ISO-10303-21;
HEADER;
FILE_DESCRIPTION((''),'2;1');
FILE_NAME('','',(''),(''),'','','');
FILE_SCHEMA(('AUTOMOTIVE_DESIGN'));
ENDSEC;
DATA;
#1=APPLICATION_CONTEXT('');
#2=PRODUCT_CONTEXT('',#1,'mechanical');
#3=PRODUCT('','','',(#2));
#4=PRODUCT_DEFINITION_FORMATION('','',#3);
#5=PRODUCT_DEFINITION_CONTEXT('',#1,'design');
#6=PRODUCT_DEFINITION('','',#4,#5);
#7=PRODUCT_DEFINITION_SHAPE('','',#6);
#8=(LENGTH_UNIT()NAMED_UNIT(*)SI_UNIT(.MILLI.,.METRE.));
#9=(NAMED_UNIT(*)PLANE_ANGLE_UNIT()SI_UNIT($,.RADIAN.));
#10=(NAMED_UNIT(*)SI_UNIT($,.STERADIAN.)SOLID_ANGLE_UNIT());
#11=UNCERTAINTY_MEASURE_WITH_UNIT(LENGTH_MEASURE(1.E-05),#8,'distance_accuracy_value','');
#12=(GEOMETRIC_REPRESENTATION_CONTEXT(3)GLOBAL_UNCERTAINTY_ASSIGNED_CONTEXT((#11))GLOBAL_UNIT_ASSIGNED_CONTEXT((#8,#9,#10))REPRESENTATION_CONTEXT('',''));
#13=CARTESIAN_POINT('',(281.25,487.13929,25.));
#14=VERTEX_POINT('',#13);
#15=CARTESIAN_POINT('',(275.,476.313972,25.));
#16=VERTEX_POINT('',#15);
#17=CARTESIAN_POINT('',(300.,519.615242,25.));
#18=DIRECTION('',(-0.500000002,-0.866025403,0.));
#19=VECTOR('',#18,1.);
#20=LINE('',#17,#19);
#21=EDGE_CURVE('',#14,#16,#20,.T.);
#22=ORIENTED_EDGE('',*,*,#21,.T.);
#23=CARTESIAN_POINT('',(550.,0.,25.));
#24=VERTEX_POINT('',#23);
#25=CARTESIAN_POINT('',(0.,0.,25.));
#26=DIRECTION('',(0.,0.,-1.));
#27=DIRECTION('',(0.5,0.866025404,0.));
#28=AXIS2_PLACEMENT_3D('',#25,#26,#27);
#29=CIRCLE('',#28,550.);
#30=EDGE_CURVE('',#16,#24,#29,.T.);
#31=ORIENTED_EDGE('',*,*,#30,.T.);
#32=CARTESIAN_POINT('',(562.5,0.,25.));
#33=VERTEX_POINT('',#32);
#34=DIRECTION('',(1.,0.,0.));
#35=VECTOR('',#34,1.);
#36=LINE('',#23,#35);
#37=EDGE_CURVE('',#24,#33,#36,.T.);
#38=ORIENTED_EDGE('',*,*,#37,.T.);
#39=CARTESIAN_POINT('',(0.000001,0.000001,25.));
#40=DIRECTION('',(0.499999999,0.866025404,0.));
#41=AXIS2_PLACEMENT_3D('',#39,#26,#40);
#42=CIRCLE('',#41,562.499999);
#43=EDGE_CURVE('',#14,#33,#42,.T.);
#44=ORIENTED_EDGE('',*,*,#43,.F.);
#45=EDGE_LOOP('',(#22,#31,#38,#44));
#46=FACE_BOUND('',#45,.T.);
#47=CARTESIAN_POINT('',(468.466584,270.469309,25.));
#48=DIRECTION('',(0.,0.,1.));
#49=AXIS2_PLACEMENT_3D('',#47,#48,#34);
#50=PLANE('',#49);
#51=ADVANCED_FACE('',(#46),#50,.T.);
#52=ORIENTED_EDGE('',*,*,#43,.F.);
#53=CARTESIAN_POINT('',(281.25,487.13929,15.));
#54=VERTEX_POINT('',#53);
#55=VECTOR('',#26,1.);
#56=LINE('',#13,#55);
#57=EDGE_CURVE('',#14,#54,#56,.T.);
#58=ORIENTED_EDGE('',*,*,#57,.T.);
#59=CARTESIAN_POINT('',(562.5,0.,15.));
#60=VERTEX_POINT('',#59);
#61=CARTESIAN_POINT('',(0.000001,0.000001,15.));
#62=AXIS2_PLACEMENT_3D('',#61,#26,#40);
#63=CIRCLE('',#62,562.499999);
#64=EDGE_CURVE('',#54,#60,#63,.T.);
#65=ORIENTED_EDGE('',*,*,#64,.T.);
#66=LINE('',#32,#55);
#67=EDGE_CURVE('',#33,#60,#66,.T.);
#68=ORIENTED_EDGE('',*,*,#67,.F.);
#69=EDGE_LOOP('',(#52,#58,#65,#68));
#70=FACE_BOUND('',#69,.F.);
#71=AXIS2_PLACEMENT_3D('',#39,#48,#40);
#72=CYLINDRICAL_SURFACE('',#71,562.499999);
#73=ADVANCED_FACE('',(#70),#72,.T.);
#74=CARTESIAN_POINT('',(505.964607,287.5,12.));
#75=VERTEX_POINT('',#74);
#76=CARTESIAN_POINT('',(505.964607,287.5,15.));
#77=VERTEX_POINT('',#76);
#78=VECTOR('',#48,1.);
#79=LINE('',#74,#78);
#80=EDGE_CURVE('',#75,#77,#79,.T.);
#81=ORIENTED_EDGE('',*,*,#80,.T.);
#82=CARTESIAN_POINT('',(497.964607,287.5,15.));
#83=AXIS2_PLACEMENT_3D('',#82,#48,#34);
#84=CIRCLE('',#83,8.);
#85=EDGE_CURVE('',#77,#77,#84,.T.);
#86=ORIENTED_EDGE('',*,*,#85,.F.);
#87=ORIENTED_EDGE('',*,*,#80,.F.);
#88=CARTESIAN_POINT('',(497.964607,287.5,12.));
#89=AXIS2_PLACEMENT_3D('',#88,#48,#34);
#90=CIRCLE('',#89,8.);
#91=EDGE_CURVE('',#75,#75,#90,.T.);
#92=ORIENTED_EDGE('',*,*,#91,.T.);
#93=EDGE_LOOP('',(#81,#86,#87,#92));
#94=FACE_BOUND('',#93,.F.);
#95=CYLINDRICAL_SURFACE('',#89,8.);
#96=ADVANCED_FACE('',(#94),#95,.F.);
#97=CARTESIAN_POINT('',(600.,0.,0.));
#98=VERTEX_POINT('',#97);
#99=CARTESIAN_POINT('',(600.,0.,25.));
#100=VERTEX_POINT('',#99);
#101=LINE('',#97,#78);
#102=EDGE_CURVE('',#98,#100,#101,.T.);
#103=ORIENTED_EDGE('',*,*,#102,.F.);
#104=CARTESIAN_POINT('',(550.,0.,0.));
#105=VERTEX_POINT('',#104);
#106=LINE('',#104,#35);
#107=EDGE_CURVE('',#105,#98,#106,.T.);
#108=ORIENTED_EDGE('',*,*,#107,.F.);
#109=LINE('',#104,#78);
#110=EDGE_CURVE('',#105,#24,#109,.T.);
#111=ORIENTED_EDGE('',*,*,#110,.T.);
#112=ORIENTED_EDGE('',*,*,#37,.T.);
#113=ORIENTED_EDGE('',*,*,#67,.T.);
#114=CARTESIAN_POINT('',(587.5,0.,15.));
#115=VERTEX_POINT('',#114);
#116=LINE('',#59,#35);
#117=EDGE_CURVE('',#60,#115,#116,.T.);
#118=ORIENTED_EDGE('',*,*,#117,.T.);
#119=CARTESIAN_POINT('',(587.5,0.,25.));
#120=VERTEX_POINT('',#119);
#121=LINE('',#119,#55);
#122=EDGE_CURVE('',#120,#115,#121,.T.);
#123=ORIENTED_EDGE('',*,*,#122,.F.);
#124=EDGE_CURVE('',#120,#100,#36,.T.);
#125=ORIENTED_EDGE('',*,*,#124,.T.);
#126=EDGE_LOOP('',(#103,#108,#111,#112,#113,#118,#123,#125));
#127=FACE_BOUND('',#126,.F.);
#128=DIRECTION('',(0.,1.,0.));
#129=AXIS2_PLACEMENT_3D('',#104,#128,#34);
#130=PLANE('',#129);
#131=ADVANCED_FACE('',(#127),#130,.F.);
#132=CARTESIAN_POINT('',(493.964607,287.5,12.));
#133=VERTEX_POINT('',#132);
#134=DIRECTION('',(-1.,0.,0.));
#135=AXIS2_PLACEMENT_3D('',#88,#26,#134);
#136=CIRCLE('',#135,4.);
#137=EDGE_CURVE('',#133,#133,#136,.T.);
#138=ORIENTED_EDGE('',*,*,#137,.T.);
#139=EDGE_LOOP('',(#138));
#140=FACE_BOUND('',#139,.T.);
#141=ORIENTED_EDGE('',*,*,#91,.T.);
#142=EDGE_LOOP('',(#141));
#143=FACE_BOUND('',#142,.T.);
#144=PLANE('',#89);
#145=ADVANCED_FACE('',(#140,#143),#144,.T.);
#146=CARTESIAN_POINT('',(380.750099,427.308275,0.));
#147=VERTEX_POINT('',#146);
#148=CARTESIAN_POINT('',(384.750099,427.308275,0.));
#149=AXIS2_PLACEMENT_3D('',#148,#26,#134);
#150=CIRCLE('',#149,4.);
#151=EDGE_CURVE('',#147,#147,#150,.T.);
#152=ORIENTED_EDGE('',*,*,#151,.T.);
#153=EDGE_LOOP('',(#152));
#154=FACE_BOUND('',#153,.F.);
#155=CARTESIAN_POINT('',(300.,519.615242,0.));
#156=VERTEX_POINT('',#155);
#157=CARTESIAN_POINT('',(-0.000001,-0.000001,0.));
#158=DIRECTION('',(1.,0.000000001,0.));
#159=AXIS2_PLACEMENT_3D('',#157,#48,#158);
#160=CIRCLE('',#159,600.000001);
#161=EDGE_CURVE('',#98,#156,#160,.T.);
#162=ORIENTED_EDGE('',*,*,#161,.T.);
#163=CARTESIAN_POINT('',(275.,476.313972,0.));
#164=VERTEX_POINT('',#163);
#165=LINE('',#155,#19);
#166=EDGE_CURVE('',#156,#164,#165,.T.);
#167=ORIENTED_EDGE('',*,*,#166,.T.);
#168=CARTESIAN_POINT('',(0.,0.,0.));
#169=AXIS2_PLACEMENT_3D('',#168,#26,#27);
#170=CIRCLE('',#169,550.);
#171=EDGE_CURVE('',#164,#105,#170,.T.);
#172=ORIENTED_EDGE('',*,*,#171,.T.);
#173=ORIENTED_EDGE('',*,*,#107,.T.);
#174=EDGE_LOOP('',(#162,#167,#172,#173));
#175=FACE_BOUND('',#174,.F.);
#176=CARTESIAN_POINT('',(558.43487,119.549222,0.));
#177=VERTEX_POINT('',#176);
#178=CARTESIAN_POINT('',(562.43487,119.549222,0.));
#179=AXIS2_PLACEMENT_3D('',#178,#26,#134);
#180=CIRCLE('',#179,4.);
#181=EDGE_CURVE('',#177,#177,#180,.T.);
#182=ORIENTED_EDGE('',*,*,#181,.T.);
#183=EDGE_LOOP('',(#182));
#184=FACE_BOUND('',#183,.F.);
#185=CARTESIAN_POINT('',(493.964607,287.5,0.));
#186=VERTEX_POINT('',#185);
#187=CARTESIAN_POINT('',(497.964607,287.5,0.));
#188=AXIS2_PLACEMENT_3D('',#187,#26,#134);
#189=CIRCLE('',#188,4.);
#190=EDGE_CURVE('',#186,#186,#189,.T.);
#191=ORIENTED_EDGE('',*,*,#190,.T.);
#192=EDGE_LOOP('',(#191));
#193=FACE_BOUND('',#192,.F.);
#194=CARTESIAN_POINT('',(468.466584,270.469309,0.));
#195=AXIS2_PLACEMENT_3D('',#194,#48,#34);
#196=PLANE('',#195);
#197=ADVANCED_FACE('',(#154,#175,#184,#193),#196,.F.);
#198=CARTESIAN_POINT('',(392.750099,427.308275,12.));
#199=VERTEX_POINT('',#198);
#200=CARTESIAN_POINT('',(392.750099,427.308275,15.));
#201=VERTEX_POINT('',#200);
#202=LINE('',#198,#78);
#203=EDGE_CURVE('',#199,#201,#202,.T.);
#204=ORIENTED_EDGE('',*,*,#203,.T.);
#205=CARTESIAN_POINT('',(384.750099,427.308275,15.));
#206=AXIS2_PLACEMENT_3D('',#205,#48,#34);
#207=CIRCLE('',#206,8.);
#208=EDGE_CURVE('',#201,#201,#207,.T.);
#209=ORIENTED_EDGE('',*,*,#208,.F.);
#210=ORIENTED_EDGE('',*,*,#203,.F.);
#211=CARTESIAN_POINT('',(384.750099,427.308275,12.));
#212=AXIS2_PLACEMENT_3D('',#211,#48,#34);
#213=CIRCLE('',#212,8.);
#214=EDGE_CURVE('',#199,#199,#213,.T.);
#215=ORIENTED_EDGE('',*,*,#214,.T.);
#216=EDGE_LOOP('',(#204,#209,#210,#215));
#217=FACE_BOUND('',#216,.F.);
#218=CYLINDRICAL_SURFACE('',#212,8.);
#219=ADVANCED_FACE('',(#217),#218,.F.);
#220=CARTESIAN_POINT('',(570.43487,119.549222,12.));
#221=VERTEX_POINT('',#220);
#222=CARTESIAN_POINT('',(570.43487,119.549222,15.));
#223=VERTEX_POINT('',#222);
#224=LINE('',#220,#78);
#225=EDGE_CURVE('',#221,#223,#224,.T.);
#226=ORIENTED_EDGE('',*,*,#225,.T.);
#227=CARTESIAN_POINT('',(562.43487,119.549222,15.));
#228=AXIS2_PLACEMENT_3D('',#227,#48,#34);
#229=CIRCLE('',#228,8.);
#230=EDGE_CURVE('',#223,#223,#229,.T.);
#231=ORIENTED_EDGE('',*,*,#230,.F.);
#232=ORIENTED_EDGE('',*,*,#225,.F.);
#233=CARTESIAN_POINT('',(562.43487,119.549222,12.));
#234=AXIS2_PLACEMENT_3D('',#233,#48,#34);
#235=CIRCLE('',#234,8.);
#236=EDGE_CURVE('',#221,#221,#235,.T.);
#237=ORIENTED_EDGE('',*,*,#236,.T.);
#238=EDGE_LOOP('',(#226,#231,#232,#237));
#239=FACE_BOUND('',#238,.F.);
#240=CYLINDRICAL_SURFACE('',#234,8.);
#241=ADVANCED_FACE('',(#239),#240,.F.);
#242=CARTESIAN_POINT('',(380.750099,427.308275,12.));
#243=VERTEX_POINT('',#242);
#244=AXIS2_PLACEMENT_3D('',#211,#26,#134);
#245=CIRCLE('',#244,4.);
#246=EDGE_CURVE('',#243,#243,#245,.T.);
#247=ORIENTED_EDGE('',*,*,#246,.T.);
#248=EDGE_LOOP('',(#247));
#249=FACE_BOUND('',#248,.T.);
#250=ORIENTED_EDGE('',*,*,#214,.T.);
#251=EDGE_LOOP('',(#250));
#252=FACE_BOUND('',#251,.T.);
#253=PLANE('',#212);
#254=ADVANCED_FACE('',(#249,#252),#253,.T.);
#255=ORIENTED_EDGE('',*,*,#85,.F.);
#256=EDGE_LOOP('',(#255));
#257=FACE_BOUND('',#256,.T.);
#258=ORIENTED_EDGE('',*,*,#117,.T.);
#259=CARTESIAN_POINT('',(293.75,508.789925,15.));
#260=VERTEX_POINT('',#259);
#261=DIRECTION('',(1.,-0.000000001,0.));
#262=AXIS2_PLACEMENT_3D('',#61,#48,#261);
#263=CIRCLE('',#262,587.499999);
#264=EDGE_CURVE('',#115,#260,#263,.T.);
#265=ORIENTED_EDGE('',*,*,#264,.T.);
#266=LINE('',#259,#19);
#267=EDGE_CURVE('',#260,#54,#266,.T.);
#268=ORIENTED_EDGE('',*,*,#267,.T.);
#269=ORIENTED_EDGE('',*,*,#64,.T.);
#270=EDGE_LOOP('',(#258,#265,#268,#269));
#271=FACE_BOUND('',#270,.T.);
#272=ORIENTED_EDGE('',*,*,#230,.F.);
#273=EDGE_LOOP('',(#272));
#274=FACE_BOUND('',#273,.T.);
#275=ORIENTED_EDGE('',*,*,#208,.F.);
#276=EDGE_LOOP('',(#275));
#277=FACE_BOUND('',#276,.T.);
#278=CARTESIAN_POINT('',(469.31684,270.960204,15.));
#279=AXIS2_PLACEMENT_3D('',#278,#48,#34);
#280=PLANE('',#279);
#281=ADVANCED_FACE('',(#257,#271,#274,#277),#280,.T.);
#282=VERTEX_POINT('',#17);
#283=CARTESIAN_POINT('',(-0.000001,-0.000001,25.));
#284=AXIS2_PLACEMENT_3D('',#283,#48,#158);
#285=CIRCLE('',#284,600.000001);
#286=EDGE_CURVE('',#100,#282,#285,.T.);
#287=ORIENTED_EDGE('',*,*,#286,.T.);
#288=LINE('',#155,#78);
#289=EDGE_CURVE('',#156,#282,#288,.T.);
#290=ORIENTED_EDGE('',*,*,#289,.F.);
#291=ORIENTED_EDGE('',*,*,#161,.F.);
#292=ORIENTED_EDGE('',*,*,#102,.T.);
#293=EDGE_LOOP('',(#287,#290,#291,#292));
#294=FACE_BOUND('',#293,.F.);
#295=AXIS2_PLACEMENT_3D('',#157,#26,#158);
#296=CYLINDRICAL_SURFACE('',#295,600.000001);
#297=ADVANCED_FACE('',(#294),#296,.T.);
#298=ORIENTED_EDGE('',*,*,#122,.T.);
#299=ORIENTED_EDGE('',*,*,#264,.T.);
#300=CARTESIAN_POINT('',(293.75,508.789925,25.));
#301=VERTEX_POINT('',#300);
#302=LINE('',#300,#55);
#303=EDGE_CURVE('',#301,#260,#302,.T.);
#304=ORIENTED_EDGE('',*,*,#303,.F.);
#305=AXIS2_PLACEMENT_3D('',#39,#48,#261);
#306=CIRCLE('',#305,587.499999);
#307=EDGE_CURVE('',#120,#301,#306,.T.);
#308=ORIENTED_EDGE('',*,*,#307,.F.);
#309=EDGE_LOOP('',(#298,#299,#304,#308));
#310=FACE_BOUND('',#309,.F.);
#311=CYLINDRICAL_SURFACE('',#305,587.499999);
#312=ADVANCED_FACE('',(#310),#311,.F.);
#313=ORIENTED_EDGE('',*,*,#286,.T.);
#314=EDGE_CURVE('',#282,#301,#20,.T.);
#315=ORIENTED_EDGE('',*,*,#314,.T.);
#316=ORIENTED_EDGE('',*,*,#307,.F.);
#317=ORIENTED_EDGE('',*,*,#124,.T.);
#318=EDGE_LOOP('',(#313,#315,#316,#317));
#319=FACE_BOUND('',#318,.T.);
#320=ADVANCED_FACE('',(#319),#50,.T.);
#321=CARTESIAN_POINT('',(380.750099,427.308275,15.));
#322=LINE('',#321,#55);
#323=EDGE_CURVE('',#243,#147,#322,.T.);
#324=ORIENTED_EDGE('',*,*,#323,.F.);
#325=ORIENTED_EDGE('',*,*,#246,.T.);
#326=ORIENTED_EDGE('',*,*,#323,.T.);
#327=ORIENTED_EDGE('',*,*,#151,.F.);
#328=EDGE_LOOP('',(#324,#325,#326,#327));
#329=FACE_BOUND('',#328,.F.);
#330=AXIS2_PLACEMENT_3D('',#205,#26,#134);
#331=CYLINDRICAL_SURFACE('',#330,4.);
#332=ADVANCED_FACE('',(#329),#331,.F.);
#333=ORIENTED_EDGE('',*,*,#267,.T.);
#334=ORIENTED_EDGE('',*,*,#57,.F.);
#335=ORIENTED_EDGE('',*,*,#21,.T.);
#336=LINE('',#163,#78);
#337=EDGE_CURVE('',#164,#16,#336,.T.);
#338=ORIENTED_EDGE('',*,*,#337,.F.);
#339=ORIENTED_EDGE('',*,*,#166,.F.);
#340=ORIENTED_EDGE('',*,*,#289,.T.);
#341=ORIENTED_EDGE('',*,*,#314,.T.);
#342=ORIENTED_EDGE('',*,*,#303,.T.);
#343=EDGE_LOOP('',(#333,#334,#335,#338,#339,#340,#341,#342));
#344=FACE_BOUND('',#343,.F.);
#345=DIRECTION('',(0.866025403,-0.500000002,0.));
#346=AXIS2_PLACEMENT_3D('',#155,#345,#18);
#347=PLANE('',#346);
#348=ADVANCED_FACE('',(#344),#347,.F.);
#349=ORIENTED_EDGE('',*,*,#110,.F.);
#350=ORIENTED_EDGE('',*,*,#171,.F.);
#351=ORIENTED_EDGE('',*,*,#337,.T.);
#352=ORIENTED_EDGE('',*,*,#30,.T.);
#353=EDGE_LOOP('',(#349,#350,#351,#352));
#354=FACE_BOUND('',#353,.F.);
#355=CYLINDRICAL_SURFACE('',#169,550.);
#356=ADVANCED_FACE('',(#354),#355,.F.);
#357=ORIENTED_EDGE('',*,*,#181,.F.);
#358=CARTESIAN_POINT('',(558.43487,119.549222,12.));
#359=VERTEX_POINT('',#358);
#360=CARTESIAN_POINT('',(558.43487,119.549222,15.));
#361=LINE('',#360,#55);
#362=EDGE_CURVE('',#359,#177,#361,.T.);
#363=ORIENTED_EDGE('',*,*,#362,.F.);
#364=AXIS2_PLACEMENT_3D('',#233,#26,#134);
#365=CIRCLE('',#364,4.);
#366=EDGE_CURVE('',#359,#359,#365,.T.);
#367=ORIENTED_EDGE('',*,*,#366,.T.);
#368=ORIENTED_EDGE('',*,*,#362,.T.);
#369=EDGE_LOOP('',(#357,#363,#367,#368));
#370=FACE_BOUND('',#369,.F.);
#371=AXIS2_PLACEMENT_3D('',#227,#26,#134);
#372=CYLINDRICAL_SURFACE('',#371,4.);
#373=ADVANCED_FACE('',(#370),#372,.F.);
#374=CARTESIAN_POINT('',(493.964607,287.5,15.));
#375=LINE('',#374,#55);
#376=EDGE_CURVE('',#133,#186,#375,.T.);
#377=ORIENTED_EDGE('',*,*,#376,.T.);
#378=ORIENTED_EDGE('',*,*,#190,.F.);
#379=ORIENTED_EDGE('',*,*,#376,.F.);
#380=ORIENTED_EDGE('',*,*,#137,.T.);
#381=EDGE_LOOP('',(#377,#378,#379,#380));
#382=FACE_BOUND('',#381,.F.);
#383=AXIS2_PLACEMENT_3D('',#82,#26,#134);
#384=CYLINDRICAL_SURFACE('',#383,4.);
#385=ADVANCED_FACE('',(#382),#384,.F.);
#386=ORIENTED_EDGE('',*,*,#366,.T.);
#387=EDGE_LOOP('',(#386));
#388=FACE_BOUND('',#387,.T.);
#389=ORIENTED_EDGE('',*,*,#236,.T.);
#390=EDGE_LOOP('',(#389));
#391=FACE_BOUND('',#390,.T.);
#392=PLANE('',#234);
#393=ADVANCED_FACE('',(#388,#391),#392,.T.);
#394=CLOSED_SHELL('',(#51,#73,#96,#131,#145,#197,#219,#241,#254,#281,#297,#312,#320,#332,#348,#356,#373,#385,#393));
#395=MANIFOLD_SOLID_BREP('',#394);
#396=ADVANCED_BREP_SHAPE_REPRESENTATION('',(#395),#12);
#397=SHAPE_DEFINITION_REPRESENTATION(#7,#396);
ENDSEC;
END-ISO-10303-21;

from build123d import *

# Parameters (mm, degrees)
F1_DEPTH       = 25
F3_DEPTH       = 10
F5_D           = 8
F5_CBORE_D     = 16
F5_CBORE_DEPTH = 3


with BuildPart() as f1:
    # F0 (on Top) → F1 (new body)
    with BuildSketch(Plane.XY):
        with BuildLine():
            Line((300, 519.615242), (275, 476.313972))
            ThreePointArc((275, 476.313972), (476.313972, 275), (550, 0))
            Line((550, 0), (600, 0))
            ThreePointArc((600, 0), (519.615242, 300), (300, 519.615242))
        make_face()
    extrude(amount=F1_DEPTH)

    # F2 (on face) → F3 (cut)
    with BuildSketch(Plane.XY.offset(25)):
        with BuildLine():
            Line((293.75, 508.789925), (281.25, 487.13929))
            ThreePointArc((281.25, 487.13929), (487.13929, 281.25), (562.5, 0))
            Line((562.5, 0), (587.5, 0))
            ThreePointArc((587.5, 0), (508.789925, 293.75), (293.75, 508.789925))
        make_face()
    extrude(amount=-F3_DEPTH, mode=Mode.SUBTRACT)

    # F5 (through all)
    with Locations(Plane.XY.offset(15)):
        with Locations((497.964607, 287.5), (384.750099, 427.308275), (562.43487, 119.549222)):
            CounterBoreHole(F5_D / 2, F5_CBORE_D / 2, F5_CBORE_DEPTH)


solid = f1.part
